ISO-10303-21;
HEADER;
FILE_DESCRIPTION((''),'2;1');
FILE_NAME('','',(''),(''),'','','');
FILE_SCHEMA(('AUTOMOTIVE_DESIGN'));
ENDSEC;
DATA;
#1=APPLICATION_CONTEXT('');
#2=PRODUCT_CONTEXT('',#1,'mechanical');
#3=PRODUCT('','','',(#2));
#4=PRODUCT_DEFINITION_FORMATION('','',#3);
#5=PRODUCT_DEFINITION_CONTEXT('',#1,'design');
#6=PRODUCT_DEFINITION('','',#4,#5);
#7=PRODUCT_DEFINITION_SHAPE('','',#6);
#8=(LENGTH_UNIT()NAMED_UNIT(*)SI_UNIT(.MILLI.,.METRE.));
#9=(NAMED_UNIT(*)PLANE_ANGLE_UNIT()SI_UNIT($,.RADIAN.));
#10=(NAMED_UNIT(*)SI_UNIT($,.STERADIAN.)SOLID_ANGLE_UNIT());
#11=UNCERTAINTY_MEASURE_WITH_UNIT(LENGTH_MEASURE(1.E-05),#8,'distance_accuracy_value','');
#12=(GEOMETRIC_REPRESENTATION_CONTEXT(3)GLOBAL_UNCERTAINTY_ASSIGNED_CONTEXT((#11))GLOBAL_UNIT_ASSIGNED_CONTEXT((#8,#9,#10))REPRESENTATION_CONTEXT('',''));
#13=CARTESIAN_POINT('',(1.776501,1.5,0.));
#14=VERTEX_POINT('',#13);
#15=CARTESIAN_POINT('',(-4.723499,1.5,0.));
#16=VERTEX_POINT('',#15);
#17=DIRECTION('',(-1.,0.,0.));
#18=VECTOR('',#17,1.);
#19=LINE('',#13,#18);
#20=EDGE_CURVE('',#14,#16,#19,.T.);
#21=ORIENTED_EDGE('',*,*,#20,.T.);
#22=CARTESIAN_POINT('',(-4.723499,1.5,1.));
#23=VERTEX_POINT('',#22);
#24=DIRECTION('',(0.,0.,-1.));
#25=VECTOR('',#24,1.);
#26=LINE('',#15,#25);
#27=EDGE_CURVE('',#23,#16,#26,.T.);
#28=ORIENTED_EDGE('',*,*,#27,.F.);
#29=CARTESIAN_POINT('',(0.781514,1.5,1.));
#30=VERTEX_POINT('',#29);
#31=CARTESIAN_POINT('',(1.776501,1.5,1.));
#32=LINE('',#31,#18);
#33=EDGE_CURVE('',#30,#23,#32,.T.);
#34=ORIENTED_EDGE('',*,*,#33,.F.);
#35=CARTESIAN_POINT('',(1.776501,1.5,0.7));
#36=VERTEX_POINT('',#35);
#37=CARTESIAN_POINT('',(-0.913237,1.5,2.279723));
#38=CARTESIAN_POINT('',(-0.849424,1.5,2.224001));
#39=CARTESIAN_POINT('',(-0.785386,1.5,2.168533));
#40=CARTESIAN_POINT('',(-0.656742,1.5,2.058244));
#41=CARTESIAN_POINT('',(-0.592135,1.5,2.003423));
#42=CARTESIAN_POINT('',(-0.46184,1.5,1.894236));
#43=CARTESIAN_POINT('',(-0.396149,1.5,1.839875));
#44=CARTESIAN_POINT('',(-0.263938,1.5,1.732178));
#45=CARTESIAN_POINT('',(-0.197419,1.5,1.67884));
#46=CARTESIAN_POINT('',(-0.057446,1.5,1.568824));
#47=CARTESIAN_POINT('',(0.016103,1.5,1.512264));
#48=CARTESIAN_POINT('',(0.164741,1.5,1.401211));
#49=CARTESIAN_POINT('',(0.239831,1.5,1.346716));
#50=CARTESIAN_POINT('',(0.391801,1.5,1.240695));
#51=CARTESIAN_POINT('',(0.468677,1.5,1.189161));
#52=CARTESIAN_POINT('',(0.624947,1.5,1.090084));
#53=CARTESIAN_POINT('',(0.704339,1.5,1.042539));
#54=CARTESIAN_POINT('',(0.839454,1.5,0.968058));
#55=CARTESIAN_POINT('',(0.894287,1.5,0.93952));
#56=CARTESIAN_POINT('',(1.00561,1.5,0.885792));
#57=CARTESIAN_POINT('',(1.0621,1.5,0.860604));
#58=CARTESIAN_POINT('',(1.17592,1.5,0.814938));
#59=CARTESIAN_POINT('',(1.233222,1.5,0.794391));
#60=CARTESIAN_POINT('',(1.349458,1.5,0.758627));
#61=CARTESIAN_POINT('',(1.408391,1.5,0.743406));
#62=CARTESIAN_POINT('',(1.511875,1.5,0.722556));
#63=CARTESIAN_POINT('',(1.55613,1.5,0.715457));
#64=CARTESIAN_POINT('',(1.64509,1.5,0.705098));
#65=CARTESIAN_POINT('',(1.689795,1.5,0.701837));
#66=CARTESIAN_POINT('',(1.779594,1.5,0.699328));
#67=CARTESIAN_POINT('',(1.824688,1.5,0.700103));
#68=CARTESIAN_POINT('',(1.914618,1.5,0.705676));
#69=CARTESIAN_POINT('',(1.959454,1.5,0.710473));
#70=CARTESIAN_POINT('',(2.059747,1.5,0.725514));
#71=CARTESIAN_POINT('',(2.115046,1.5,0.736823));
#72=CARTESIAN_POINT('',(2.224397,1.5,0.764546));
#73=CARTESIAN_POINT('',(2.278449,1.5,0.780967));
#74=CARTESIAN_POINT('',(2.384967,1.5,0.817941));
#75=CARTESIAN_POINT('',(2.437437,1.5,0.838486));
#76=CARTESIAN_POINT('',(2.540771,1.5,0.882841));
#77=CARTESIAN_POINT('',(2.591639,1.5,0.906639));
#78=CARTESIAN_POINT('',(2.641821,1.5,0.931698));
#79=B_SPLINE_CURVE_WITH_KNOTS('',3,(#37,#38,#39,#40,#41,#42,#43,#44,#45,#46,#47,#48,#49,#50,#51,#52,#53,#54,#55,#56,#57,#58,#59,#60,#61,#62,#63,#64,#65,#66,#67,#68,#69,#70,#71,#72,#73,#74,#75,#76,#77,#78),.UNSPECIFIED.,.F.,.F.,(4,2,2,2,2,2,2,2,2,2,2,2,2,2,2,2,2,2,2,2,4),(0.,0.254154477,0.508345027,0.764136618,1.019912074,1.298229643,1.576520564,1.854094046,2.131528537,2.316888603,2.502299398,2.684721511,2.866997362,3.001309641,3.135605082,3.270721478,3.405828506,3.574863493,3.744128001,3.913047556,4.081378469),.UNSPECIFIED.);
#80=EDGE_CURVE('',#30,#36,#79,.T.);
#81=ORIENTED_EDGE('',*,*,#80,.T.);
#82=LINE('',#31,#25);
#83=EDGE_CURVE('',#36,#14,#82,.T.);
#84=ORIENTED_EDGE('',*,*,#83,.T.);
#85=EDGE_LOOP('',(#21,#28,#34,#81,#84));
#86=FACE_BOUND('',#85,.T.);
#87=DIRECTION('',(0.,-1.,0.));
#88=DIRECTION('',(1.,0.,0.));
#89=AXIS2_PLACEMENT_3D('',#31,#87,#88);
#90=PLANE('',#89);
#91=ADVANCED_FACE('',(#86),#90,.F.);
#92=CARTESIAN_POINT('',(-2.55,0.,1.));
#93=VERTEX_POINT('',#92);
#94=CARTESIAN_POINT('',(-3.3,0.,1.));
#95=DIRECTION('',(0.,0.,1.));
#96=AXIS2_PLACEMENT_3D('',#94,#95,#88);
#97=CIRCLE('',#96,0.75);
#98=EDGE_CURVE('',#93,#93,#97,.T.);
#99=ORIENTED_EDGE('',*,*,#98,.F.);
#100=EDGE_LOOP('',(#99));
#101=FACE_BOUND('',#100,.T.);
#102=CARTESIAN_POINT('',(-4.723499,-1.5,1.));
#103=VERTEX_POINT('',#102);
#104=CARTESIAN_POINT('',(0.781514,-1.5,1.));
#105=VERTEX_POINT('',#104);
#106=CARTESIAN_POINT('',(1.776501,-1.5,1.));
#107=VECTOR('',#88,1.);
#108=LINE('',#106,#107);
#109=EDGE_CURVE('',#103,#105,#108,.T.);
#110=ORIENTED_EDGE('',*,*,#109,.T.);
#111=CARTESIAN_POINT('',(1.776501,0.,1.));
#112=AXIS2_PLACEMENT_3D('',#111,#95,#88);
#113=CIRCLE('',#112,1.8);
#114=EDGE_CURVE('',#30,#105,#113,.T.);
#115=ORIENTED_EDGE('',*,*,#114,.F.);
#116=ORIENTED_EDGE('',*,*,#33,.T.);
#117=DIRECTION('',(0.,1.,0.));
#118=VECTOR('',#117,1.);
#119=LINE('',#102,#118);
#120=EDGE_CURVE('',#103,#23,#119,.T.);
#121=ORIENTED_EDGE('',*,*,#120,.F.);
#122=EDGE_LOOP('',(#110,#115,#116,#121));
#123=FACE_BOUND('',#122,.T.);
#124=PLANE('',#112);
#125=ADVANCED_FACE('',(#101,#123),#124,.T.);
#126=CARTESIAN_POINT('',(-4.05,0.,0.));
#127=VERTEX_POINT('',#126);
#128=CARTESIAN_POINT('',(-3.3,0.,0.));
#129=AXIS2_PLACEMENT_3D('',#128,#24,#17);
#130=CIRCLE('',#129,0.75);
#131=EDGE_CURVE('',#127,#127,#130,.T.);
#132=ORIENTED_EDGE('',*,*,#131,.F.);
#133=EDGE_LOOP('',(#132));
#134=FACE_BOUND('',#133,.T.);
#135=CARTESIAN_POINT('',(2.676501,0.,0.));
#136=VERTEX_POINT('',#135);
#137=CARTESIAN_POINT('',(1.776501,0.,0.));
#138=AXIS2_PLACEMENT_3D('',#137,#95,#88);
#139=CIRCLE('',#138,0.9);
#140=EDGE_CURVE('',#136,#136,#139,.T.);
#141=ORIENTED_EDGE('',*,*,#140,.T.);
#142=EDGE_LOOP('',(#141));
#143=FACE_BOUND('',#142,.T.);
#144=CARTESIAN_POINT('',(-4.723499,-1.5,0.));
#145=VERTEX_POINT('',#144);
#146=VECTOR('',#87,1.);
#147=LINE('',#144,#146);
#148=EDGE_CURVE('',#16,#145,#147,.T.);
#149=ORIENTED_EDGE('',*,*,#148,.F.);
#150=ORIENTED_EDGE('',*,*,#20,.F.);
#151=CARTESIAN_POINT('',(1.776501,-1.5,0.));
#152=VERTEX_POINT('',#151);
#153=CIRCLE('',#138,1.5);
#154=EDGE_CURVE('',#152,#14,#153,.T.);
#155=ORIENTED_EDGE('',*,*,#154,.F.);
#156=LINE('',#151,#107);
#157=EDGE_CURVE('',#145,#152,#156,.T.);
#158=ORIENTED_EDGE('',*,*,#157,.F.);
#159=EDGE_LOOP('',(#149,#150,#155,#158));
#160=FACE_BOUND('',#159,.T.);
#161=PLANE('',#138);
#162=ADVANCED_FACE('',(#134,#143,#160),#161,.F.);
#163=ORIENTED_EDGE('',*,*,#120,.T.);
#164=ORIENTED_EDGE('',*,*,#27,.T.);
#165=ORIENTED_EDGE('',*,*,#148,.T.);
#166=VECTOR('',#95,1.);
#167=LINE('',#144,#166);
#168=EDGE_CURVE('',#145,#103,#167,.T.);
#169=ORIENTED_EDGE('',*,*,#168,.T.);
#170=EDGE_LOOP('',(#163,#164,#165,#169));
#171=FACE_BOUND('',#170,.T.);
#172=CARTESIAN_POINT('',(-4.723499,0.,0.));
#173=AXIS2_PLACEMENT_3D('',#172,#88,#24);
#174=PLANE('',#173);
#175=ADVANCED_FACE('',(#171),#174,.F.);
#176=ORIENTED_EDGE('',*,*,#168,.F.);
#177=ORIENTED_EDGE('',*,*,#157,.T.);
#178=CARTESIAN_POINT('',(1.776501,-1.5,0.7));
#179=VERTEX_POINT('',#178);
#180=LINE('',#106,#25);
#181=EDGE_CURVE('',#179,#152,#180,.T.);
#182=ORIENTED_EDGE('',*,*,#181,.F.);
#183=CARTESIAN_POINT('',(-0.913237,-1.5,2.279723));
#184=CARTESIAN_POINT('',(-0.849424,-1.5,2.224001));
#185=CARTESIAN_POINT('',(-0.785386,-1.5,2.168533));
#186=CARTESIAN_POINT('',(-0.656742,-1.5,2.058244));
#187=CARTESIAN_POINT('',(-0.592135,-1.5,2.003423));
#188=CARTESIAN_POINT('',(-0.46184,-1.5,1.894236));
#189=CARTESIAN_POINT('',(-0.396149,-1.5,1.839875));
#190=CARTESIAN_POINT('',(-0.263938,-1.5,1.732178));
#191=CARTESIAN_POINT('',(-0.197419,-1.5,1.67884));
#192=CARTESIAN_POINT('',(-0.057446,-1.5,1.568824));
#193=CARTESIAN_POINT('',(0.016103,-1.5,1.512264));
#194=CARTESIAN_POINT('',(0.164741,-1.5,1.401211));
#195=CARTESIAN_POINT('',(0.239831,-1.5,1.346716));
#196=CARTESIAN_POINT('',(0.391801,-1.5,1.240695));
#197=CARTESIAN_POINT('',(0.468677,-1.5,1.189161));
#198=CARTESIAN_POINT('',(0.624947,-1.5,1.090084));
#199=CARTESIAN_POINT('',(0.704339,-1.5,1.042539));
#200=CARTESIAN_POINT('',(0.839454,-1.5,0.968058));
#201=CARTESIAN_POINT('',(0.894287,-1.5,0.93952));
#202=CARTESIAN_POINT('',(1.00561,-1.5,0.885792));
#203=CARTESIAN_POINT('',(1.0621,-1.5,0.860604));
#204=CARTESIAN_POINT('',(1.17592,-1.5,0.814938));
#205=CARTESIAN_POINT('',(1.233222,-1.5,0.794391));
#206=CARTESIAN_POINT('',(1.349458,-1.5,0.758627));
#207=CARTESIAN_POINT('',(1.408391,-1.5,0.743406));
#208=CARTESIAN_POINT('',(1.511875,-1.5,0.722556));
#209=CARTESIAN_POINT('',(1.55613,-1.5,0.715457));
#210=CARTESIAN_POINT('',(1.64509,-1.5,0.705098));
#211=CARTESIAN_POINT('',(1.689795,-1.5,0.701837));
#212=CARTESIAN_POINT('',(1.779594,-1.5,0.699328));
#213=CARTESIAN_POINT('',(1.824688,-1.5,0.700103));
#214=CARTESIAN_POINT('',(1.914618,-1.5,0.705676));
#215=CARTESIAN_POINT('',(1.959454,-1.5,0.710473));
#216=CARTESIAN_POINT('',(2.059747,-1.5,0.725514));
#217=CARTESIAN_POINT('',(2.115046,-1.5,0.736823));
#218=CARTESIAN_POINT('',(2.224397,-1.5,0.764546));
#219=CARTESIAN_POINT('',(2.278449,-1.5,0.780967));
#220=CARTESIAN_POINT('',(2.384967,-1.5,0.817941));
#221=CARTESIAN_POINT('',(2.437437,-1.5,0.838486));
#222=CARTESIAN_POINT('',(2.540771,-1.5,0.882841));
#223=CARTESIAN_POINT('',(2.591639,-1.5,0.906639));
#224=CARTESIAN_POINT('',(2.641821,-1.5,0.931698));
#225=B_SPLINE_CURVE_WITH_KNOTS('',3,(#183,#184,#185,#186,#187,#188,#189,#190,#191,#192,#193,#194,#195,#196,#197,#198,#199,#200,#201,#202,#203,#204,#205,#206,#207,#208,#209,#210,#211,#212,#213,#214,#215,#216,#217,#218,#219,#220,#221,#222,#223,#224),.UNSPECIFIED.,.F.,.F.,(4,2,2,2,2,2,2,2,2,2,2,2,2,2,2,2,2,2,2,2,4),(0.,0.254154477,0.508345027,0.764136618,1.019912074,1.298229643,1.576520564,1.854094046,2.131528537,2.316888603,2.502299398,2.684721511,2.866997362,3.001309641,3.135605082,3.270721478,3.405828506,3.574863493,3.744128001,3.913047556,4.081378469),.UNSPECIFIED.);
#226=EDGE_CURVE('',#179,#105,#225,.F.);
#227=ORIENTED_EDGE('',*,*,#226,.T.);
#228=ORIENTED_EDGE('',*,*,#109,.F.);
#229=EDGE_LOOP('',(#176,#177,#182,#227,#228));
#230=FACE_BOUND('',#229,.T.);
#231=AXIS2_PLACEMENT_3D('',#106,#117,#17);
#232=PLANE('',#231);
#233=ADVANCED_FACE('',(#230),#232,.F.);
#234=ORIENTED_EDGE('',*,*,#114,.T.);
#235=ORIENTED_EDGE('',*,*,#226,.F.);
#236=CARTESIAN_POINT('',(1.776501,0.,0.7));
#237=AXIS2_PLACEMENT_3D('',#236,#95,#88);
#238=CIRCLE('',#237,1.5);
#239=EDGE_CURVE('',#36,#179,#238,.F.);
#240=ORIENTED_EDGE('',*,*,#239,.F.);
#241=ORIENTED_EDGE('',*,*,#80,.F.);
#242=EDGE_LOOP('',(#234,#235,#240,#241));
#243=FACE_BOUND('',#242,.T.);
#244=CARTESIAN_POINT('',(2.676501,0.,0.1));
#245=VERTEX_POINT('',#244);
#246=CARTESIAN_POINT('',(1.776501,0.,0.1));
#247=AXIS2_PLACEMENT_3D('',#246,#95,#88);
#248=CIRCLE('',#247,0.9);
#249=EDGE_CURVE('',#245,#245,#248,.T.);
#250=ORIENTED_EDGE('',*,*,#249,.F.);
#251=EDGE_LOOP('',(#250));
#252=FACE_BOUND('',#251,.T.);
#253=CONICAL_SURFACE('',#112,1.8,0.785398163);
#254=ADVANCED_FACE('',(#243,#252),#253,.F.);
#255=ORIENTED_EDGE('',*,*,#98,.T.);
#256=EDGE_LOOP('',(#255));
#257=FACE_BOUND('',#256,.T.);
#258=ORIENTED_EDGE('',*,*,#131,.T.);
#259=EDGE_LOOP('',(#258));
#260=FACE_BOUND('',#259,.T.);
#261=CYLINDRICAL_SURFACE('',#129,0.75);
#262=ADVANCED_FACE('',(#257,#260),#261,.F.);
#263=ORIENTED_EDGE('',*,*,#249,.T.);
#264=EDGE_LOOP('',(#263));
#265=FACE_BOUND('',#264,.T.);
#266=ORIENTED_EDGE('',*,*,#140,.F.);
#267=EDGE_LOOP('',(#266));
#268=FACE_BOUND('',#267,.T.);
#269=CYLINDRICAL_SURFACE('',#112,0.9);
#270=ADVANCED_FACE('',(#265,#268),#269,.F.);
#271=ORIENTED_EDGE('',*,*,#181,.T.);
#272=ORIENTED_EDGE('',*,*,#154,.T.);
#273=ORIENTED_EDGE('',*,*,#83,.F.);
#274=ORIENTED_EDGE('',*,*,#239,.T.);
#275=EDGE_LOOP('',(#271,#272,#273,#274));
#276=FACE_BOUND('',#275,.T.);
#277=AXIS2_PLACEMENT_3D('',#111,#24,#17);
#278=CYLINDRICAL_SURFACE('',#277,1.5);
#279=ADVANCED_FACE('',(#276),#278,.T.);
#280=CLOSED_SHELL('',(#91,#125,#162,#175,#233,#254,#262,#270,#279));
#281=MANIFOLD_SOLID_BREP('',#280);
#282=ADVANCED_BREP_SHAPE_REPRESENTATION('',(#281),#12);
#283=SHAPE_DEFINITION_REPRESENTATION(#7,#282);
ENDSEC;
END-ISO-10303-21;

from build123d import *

# Parameters (mm, degrees)
BOSS_EXTRUDE1_DEPTH   = 1
SKETCH3_W             = 1
SKETCH3_H             = 3
BOSS_EXTRUDE2_DEPTH   = 5
F_1_5MM_DOWEL_HOLE1_D = 1.5


with BuildPart() as part:
    # Sketch1 → Boss-Extrude1 (new body)
    with BuildSketch(Plane.XY):
        with BuildLine():
            Line((1.776501472, 1.5), (0.276501472, 1.5))
            Line((0.276501472, 1.5), (0.276501472, -1.5))
            Line((0.276501472, -1.5), (1.776501472, -1.5))
            ThreePointArc((1.776501472, -1.5), (3.276501472, 0), (1.776501472, 1.5))
        make_face()
    extrude(amount=BOSS_EXTRUDE1_DEPTH)

    # Sketch3 → Boss-Extrude2 (add)
    with BuildSketch(Plane.ZY.offset(-0.276501472)):
        with Locations((0.5, 0)):
            Rectangle(SKETCH3_W, SKETCH3_H)
    extrude(amount=BOSS_EXTRUDE2_DEPTH)

    # Ø1.5mm Dowel Hole1 (through all)
    with Locations(Plane(origin=(0, 0, 0), x_dir=(-1, 0, 0), z_dir=(0, 0, -1))):
        with Locations((3.3, 0)):
            Hole(F_1_5MM_DOWEL_HOLE1_D / 2)

    # Sketch8 → CSK SLOT for M1.6 Countersunk Flat Head Screw1 (revolve, cut)
    with BuildSketch(Plane(origin=(1.776501472, 0, 1), x_dir=(0, -1, 0), z_dir=(1, 0, 0))):
        Polygon((0, 0), (0, 1), (0.9, 1), (0.9, 0.9), (1.8, 0), align=None)
    revolve(axis=Axis((1.776501472, 0, 7.35), (0, 0, -1)), mode=Mode.SUBTRACT)


solid = part.part
